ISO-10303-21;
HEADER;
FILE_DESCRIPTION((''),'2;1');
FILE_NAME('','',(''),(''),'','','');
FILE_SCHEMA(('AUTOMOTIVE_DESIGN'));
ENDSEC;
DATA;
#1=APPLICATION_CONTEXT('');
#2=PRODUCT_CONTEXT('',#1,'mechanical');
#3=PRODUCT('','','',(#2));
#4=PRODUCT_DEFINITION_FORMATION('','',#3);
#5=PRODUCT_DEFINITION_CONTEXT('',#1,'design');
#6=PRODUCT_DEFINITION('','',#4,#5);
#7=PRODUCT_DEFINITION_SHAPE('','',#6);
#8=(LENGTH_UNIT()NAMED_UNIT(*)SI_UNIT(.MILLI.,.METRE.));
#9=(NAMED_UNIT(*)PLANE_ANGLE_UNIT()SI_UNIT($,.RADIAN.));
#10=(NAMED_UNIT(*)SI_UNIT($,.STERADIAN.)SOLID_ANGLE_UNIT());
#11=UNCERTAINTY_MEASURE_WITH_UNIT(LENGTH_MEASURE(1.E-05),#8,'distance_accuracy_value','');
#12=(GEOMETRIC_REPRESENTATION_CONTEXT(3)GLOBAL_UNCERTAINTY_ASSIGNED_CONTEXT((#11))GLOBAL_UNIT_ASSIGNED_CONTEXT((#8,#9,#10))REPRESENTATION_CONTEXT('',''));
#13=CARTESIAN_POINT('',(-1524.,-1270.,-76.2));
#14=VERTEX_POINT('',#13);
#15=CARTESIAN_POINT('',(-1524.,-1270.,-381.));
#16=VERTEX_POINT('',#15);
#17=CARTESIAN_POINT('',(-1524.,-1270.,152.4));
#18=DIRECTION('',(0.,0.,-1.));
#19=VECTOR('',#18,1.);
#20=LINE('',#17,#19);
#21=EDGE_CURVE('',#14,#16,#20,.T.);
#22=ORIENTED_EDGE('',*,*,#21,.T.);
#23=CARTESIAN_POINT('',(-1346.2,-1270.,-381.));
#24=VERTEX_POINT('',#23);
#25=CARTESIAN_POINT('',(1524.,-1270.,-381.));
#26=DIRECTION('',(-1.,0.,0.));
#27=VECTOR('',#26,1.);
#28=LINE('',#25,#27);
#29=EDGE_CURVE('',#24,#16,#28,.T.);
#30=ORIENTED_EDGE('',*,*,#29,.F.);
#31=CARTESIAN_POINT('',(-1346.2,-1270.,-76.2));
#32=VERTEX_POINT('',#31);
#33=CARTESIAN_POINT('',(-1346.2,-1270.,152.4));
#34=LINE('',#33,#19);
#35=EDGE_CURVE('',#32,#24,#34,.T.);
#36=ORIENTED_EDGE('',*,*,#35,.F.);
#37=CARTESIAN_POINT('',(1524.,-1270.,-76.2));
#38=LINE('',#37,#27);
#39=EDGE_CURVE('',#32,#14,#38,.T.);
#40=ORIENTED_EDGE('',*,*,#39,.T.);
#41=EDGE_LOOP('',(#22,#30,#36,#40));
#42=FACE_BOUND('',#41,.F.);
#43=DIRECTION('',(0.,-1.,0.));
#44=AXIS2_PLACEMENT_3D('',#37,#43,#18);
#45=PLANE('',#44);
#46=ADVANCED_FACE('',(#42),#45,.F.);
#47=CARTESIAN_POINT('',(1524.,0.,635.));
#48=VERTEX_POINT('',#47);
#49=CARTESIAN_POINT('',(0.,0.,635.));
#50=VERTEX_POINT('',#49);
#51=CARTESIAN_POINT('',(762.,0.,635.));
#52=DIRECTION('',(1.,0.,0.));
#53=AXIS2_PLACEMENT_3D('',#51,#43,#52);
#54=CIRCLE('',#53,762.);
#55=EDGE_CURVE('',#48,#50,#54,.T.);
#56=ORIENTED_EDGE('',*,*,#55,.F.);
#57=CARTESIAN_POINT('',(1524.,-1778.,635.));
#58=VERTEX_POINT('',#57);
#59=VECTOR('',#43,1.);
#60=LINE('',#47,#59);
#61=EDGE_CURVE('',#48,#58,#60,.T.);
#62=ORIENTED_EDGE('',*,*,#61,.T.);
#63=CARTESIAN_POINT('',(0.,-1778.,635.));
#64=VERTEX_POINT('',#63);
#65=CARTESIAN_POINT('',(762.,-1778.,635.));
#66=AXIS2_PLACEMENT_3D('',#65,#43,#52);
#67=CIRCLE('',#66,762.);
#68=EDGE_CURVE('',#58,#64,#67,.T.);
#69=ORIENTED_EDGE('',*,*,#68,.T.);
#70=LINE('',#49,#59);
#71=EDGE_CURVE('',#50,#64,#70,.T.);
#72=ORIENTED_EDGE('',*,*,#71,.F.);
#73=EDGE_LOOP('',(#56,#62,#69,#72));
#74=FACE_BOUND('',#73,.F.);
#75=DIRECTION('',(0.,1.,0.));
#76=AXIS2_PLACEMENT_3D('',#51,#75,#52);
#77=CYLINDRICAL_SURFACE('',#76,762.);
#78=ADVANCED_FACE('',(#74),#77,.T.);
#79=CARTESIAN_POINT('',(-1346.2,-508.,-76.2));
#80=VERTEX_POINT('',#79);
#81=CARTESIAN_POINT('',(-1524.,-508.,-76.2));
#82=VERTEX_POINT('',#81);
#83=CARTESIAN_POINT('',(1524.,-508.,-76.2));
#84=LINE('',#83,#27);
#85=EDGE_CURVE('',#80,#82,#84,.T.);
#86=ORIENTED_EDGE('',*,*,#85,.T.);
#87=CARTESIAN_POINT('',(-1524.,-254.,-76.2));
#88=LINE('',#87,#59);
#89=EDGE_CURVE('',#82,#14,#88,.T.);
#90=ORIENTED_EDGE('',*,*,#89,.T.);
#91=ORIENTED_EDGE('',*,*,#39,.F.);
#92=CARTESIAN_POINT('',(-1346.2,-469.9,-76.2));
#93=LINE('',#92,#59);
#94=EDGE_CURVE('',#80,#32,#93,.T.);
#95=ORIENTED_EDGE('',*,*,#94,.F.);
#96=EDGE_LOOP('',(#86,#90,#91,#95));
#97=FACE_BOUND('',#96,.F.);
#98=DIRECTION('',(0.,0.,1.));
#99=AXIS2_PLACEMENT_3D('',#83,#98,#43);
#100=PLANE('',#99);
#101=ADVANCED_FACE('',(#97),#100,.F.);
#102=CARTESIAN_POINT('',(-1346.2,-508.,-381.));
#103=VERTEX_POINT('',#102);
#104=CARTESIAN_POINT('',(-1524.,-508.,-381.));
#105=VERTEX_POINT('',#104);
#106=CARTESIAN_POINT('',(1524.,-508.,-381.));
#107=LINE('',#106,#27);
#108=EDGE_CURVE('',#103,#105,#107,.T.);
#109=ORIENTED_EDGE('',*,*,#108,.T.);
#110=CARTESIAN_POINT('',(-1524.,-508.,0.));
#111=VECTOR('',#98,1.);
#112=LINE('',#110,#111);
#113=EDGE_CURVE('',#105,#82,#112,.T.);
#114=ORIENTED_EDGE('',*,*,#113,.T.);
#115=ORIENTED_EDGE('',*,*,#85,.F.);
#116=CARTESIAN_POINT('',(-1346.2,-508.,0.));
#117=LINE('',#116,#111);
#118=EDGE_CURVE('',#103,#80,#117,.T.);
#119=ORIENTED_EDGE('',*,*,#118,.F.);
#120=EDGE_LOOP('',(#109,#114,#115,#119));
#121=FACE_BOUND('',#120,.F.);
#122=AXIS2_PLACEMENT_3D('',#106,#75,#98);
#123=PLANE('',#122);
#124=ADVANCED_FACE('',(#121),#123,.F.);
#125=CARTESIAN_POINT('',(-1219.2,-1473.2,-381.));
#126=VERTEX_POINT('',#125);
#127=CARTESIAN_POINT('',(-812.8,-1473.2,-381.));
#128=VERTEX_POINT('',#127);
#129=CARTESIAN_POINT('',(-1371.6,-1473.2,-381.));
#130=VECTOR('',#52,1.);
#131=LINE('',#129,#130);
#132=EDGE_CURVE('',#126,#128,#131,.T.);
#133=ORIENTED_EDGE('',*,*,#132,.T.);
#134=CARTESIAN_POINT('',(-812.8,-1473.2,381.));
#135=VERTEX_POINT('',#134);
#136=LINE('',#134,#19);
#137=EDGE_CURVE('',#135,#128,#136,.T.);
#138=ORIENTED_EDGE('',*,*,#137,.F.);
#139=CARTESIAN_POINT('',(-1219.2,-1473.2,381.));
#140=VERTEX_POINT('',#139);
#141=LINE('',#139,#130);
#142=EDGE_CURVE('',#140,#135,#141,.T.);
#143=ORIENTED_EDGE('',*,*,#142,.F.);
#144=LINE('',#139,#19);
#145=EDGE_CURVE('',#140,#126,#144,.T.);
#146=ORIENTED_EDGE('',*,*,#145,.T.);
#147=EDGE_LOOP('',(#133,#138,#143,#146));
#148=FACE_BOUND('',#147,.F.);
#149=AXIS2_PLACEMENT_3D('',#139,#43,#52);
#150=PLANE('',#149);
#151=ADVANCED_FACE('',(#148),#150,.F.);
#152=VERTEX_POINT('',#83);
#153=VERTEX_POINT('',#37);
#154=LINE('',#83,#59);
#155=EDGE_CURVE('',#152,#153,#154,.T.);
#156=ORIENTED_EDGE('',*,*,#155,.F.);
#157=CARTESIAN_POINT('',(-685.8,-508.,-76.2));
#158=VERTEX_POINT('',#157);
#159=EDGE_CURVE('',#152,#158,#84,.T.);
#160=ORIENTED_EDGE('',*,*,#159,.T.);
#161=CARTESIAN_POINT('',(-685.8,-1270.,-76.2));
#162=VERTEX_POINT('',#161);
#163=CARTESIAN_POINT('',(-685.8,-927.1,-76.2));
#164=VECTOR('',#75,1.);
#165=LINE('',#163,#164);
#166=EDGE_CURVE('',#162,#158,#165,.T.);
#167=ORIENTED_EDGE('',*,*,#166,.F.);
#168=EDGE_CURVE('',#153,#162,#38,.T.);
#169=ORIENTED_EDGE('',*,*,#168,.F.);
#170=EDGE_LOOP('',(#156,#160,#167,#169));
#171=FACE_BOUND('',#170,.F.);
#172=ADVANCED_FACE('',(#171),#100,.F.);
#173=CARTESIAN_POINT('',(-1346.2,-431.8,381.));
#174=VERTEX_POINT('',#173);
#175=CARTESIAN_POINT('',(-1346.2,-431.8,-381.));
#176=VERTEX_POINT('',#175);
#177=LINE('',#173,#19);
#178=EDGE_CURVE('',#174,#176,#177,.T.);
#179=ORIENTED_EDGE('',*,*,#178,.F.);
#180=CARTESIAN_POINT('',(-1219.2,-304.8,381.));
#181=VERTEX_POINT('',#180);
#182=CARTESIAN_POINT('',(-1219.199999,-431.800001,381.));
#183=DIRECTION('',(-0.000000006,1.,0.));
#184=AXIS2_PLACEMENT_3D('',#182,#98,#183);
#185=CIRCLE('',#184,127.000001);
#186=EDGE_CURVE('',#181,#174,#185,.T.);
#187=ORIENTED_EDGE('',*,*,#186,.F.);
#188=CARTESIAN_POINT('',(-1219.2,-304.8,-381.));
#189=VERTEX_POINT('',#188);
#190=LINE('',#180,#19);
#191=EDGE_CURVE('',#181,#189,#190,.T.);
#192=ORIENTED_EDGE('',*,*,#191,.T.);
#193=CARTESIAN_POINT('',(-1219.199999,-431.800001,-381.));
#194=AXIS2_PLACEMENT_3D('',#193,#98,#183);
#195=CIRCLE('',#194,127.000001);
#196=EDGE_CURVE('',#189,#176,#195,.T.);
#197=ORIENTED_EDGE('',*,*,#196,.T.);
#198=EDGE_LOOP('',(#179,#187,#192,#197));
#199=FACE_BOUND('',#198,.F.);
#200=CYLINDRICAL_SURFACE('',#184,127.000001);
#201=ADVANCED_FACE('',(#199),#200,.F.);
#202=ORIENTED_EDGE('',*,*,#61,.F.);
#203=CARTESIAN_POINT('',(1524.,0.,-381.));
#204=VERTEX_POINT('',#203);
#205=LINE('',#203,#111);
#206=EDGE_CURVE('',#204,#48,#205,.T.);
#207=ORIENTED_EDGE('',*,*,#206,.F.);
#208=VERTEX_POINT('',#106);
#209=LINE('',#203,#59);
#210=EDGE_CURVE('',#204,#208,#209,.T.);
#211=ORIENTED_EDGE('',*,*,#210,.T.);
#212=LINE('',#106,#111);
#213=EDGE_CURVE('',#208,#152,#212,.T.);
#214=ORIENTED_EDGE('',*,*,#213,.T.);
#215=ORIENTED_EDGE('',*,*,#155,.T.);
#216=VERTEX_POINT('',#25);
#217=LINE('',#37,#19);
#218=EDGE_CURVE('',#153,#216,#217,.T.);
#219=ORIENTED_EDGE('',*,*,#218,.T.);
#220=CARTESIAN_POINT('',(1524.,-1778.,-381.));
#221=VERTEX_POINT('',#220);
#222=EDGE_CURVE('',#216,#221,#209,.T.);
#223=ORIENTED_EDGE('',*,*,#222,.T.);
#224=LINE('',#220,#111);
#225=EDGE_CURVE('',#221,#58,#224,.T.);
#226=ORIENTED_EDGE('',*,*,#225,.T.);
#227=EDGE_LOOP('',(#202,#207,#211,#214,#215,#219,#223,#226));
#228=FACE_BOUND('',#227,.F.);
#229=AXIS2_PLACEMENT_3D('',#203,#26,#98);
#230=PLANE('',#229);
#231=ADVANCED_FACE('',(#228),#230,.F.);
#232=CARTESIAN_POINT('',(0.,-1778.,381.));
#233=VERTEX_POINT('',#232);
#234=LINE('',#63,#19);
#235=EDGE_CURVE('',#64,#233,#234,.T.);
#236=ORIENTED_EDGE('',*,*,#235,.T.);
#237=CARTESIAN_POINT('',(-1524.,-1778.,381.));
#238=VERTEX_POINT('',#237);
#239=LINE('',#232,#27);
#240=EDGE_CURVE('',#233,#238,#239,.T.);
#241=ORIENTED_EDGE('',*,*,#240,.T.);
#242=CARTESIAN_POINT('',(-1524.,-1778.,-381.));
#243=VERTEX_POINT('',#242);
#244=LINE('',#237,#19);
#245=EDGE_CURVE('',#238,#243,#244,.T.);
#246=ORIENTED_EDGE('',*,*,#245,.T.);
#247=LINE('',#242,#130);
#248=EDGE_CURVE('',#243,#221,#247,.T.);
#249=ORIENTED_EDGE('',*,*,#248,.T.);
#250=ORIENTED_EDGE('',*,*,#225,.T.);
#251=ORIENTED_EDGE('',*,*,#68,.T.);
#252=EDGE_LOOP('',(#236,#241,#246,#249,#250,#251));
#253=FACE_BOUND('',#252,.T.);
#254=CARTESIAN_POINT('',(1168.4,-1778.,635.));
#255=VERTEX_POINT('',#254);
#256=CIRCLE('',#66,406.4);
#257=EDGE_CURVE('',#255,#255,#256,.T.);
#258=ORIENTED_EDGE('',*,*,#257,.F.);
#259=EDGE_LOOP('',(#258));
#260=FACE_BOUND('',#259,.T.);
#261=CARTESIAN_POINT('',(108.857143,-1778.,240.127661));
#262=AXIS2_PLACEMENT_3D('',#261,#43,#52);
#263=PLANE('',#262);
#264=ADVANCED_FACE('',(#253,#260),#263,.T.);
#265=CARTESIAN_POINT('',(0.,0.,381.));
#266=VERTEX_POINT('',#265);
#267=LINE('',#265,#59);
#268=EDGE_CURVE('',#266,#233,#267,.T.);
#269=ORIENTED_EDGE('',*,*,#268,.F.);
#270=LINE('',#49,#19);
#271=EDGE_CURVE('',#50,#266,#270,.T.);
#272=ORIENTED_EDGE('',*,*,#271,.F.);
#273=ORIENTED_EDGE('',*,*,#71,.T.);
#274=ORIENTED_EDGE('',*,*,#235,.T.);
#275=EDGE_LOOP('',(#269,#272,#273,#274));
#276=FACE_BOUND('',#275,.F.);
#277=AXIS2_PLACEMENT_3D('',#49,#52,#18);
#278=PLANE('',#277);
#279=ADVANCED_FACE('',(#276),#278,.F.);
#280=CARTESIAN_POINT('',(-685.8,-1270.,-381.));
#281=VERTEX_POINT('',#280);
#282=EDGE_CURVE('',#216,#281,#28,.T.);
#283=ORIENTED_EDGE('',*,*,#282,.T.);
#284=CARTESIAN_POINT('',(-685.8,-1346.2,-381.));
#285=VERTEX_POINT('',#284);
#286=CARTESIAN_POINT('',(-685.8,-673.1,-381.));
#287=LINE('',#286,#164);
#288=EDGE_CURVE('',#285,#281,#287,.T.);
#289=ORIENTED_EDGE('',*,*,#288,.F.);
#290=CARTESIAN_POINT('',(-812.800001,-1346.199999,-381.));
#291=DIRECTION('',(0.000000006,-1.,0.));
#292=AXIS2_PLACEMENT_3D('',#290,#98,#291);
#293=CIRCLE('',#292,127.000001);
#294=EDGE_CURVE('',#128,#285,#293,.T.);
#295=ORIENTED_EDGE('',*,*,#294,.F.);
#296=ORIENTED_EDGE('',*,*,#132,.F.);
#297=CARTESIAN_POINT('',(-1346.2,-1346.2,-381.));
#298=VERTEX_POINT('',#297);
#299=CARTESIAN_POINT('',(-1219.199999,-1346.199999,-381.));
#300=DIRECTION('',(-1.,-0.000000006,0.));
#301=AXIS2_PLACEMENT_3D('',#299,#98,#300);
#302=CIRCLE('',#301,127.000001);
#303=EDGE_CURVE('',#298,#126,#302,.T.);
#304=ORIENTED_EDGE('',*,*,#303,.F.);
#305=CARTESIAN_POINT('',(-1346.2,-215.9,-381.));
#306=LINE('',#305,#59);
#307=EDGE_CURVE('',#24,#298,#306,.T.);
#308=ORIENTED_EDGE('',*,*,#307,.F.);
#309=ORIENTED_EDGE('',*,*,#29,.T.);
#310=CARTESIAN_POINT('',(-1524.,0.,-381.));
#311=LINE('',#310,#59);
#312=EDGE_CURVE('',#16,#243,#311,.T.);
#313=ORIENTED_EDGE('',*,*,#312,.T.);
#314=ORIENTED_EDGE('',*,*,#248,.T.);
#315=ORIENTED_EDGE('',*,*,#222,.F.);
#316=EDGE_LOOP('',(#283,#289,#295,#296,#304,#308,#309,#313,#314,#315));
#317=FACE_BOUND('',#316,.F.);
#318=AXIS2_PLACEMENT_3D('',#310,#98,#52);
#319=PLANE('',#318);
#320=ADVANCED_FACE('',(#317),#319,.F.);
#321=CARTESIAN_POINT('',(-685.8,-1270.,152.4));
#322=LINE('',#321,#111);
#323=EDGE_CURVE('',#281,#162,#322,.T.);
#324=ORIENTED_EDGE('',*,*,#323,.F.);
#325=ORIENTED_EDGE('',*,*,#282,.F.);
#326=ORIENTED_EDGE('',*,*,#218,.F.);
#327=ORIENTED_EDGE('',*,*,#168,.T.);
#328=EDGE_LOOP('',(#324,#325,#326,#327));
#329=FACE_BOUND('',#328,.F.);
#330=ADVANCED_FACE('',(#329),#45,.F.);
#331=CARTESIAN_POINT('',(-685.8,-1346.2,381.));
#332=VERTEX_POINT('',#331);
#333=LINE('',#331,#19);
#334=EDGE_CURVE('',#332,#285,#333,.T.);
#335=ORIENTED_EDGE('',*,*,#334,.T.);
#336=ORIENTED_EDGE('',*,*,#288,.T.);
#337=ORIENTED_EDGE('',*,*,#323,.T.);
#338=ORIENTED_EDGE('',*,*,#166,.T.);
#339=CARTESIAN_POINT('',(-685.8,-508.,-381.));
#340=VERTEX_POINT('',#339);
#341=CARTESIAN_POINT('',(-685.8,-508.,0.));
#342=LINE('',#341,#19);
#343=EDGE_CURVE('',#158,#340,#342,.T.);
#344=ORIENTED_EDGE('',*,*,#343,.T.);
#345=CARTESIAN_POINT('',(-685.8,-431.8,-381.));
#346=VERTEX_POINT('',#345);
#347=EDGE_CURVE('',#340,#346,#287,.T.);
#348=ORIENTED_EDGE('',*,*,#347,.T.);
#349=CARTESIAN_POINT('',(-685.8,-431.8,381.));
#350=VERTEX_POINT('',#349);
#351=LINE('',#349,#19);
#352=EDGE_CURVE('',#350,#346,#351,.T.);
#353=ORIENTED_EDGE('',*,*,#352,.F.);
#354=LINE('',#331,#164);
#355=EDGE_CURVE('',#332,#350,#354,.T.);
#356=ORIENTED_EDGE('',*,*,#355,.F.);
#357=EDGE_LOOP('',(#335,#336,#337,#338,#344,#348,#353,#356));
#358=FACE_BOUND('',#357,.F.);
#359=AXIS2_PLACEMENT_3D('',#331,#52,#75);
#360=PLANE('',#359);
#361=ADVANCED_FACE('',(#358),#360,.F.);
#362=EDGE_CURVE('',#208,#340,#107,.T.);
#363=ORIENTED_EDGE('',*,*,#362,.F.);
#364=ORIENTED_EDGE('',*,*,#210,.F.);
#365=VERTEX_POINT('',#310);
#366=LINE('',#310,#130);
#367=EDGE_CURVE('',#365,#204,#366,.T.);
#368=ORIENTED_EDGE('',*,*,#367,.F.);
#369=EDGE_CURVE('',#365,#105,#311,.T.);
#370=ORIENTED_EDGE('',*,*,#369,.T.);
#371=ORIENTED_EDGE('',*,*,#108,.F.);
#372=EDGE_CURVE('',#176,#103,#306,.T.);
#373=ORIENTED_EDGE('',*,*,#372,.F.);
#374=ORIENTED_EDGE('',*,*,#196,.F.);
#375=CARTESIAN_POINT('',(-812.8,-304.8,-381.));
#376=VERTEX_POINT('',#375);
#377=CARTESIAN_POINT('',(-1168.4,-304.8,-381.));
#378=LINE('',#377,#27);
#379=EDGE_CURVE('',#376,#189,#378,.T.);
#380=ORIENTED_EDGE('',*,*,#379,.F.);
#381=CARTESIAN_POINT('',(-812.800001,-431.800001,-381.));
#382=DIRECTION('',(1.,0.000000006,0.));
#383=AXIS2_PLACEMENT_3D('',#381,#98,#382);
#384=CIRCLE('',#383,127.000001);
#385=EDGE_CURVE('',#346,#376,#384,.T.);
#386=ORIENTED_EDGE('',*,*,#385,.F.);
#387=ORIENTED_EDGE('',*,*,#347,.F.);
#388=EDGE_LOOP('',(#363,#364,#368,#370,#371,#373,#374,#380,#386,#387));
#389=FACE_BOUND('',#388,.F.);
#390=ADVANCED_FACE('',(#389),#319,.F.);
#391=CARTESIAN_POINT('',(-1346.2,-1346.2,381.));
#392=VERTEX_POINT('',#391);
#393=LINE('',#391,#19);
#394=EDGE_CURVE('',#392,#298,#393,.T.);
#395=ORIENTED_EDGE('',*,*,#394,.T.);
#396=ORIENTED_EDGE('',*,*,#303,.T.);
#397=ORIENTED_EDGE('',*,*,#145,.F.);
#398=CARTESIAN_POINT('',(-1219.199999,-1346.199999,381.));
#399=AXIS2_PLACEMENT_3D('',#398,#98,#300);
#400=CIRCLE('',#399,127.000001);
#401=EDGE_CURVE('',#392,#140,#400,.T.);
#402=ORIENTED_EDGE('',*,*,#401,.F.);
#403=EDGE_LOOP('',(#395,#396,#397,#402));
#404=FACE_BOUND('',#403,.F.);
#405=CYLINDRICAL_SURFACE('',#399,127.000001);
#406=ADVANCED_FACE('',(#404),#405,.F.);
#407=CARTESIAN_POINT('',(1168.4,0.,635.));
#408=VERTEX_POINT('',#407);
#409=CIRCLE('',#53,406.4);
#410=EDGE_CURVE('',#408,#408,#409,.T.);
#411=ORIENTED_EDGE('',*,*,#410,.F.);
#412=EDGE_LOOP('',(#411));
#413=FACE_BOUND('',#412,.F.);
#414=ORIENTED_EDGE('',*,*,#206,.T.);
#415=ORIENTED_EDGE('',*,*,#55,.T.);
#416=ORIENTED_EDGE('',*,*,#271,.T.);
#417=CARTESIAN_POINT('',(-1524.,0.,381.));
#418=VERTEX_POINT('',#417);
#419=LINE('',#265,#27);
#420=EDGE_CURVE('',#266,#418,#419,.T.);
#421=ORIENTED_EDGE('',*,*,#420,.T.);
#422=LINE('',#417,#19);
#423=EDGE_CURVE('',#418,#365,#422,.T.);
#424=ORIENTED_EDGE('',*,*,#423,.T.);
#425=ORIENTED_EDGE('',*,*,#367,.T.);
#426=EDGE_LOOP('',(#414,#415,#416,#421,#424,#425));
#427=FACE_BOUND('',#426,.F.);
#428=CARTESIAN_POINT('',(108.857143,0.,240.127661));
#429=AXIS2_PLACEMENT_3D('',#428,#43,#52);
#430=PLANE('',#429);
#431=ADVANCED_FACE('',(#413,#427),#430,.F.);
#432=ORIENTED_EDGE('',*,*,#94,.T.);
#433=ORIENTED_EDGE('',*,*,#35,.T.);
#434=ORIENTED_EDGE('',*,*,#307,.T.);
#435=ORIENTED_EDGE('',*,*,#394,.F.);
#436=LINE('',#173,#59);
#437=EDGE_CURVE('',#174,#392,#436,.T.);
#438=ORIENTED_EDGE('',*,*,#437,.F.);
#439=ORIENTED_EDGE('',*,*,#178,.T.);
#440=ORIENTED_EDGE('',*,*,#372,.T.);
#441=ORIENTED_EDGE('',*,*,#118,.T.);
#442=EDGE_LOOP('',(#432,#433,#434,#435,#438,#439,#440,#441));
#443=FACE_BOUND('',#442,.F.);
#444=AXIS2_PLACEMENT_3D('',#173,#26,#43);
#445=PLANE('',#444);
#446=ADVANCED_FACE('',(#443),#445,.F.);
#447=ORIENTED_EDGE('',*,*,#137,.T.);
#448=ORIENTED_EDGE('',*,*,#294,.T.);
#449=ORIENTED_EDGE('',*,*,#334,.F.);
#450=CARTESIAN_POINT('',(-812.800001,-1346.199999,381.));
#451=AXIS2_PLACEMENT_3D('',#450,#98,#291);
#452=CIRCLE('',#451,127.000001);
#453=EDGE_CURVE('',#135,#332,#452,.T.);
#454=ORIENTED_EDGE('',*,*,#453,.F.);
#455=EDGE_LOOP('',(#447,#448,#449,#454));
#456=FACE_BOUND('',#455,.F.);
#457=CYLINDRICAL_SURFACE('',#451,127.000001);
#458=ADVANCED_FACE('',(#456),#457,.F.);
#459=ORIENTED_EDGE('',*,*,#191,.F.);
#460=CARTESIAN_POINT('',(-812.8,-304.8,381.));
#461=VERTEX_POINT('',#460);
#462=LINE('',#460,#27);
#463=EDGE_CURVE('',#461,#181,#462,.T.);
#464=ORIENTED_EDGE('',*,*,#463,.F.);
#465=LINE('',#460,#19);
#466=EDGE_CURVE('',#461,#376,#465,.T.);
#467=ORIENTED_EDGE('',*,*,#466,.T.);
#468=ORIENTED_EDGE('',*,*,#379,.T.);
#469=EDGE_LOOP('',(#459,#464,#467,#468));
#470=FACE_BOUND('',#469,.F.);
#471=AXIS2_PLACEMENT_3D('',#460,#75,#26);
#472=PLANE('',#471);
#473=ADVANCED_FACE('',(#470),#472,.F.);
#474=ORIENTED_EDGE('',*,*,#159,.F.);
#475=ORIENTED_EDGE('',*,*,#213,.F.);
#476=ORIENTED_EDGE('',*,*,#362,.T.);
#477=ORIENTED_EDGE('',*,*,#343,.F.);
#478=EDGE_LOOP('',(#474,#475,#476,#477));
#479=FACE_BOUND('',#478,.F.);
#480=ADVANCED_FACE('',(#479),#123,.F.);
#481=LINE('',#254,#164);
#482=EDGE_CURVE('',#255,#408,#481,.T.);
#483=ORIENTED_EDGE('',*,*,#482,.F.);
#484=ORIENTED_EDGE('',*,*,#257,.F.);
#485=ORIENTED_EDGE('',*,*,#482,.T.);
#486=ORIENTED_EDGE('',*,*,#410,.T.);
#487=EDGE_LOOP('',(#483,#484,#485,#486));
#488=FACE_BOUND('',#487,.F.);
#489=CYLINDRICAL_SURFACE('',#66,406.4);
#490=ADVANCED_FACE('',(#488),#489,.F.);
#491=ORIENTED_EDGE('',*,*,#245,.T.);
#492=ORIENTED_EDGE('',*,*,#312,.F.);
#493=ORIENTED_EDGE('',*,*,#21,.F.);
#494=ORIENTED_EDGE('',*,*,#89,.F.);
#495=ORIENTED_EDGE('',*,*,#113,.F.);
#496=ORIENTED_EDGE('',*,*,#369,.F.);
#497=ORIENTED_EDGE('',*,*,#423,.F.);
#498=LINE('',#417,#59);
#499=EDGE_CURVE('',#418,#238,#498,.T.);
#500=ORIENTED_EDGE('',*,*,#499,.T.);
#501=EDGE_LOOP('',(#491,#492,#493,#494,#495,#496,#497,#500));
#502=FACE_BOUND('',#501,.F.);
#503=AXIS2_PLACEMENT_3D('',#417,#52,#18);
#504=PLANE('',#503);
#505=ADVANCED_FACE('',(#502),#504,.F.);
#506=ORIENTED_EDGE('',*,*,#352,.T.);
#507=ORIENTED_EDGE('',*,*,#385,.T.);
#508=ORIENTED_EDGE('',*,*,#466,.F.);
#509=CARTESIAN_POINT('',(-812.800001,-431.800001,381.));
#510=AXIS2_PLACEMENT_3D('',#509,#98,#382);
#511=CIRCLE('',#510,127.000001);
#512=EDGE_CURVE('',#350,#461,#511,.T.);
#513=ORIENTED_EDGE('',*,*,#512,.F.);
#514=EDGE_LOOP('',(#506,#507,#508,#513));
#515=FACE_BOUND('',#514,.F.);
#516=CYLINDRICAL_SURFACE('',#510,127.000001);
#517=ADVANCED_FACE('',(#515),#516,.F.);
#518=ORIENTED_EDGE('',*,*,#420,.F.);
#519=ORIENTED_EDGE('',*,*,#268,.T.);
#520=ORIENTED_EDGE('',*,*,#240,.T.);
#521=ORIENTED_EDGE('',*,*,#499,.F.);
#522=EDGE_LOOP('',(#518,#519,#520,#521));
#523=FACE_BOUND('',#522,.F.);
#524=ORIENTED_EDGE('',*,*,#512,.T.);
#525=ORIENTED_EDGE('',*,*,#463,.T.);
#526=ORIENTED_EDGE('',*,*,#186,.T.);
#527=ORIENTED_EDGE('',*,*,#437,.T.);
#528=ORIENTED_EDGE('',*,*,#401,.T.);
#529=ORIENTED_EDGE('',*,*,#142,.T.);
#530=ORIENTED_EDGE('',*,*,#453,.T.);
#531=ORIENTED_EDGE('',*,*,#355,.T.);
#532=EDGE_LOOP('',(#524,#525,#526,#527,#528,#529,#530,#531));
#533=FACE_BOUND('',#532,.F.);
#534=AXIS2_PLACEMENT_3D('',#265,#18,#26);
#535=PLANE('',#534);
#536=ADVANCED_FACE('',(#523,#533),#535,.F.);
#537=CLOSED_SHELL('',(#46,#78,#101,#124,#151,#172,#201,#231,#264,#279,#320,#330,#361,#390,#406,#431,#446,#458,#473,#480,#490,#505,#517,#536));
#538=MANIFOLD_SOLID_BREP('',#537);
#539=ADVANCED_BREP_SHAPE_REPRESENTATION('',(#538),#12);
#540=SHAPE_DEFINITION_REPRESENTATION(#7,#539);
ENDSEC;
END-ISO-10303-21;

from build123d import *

# Parameters (mm, degrees)
F1_DEPTH = 1778
F2_R     = 406.4
F3_DEPTH = 1778.001
F5_DEPTH = 3048.001
F7_DEPTH = 762.001


with BuildPart() as f1:
    # F0 (on Front) → F1 (new body)
    with BuildSketch(Plane.XZ):
        with BuildLine():
            Line((-1524, -381), (1524, -381))
            Line((1524, -381), (1524, 127))
            Line((1524, 127), (1524, 381))
            Line((1524, 381), (1524, 635))
            ThreePointArc((1524, 635), (762, 1397), (0, 635))
            Line((0, 635), (0, 381))
            Line((0, 381), (-762, 381))
            Line((-762, 381), (-1524, 381))
            Line((-1524, 381), (-1524, -381))
        make_face()
    extrude(amount=F1_DEPTH)

    # F2 (on face) → F3 (cut, through all)
    with BuildSketch(Plane.XZ.offset(1778)):
        with Locations((762, 635)):
            Circle(F2_R)
    extrude(amount=-F3_DEPTH, mode=Mode.SUBTRACT)

    # F4 (on face) → F5 (cut, through all)
    with BuildSketch(Plane.YZ.offset(1524)):
        Polygon((-1270, -76.2), (-1270, -381), (-889, -381), (-508, -381), (-508, -76.2), align=None)
    extrude(amount=-F5_DEPTH, mode=Mode.SUBTRACT)

    # F6 (on face) → F7 (cut, through all)
    with BuildSketch(Plane.XY.offset(381)):
        with BuildLine():
            Line((-1219.2, -1473.2), (-812.8, -1473.2))
            ThreePointArc((-812.8, -1473.2), (-722.997439, -1436.002561), (-685.8, -1346.2))
            Line((-685.8, -1346.2), (-685.8, -431.8))
            ThreePointArc((-685.8, -431.8), (-722.997439, -341.997439), (-812.8, -304.8))
            Line((-812.8, -304.8), (-1219.2, -304.8))
            ThreePointArc((-1219.2, -304.8), (-1309.002561, -341.997439), (-1346.2, -431.8))
            Line((-1346.2, -431.8), (-1346.2, -1346.2))
            ThreePointArc((-1346.2, -1346.2), (-1309.002561, -1436.002561), (-1219.2, -1473.2))
        make_face()
    extrude(amount=-F7_DEPTH, mode=Mode.SUBTRACT)


solid = f1.part
